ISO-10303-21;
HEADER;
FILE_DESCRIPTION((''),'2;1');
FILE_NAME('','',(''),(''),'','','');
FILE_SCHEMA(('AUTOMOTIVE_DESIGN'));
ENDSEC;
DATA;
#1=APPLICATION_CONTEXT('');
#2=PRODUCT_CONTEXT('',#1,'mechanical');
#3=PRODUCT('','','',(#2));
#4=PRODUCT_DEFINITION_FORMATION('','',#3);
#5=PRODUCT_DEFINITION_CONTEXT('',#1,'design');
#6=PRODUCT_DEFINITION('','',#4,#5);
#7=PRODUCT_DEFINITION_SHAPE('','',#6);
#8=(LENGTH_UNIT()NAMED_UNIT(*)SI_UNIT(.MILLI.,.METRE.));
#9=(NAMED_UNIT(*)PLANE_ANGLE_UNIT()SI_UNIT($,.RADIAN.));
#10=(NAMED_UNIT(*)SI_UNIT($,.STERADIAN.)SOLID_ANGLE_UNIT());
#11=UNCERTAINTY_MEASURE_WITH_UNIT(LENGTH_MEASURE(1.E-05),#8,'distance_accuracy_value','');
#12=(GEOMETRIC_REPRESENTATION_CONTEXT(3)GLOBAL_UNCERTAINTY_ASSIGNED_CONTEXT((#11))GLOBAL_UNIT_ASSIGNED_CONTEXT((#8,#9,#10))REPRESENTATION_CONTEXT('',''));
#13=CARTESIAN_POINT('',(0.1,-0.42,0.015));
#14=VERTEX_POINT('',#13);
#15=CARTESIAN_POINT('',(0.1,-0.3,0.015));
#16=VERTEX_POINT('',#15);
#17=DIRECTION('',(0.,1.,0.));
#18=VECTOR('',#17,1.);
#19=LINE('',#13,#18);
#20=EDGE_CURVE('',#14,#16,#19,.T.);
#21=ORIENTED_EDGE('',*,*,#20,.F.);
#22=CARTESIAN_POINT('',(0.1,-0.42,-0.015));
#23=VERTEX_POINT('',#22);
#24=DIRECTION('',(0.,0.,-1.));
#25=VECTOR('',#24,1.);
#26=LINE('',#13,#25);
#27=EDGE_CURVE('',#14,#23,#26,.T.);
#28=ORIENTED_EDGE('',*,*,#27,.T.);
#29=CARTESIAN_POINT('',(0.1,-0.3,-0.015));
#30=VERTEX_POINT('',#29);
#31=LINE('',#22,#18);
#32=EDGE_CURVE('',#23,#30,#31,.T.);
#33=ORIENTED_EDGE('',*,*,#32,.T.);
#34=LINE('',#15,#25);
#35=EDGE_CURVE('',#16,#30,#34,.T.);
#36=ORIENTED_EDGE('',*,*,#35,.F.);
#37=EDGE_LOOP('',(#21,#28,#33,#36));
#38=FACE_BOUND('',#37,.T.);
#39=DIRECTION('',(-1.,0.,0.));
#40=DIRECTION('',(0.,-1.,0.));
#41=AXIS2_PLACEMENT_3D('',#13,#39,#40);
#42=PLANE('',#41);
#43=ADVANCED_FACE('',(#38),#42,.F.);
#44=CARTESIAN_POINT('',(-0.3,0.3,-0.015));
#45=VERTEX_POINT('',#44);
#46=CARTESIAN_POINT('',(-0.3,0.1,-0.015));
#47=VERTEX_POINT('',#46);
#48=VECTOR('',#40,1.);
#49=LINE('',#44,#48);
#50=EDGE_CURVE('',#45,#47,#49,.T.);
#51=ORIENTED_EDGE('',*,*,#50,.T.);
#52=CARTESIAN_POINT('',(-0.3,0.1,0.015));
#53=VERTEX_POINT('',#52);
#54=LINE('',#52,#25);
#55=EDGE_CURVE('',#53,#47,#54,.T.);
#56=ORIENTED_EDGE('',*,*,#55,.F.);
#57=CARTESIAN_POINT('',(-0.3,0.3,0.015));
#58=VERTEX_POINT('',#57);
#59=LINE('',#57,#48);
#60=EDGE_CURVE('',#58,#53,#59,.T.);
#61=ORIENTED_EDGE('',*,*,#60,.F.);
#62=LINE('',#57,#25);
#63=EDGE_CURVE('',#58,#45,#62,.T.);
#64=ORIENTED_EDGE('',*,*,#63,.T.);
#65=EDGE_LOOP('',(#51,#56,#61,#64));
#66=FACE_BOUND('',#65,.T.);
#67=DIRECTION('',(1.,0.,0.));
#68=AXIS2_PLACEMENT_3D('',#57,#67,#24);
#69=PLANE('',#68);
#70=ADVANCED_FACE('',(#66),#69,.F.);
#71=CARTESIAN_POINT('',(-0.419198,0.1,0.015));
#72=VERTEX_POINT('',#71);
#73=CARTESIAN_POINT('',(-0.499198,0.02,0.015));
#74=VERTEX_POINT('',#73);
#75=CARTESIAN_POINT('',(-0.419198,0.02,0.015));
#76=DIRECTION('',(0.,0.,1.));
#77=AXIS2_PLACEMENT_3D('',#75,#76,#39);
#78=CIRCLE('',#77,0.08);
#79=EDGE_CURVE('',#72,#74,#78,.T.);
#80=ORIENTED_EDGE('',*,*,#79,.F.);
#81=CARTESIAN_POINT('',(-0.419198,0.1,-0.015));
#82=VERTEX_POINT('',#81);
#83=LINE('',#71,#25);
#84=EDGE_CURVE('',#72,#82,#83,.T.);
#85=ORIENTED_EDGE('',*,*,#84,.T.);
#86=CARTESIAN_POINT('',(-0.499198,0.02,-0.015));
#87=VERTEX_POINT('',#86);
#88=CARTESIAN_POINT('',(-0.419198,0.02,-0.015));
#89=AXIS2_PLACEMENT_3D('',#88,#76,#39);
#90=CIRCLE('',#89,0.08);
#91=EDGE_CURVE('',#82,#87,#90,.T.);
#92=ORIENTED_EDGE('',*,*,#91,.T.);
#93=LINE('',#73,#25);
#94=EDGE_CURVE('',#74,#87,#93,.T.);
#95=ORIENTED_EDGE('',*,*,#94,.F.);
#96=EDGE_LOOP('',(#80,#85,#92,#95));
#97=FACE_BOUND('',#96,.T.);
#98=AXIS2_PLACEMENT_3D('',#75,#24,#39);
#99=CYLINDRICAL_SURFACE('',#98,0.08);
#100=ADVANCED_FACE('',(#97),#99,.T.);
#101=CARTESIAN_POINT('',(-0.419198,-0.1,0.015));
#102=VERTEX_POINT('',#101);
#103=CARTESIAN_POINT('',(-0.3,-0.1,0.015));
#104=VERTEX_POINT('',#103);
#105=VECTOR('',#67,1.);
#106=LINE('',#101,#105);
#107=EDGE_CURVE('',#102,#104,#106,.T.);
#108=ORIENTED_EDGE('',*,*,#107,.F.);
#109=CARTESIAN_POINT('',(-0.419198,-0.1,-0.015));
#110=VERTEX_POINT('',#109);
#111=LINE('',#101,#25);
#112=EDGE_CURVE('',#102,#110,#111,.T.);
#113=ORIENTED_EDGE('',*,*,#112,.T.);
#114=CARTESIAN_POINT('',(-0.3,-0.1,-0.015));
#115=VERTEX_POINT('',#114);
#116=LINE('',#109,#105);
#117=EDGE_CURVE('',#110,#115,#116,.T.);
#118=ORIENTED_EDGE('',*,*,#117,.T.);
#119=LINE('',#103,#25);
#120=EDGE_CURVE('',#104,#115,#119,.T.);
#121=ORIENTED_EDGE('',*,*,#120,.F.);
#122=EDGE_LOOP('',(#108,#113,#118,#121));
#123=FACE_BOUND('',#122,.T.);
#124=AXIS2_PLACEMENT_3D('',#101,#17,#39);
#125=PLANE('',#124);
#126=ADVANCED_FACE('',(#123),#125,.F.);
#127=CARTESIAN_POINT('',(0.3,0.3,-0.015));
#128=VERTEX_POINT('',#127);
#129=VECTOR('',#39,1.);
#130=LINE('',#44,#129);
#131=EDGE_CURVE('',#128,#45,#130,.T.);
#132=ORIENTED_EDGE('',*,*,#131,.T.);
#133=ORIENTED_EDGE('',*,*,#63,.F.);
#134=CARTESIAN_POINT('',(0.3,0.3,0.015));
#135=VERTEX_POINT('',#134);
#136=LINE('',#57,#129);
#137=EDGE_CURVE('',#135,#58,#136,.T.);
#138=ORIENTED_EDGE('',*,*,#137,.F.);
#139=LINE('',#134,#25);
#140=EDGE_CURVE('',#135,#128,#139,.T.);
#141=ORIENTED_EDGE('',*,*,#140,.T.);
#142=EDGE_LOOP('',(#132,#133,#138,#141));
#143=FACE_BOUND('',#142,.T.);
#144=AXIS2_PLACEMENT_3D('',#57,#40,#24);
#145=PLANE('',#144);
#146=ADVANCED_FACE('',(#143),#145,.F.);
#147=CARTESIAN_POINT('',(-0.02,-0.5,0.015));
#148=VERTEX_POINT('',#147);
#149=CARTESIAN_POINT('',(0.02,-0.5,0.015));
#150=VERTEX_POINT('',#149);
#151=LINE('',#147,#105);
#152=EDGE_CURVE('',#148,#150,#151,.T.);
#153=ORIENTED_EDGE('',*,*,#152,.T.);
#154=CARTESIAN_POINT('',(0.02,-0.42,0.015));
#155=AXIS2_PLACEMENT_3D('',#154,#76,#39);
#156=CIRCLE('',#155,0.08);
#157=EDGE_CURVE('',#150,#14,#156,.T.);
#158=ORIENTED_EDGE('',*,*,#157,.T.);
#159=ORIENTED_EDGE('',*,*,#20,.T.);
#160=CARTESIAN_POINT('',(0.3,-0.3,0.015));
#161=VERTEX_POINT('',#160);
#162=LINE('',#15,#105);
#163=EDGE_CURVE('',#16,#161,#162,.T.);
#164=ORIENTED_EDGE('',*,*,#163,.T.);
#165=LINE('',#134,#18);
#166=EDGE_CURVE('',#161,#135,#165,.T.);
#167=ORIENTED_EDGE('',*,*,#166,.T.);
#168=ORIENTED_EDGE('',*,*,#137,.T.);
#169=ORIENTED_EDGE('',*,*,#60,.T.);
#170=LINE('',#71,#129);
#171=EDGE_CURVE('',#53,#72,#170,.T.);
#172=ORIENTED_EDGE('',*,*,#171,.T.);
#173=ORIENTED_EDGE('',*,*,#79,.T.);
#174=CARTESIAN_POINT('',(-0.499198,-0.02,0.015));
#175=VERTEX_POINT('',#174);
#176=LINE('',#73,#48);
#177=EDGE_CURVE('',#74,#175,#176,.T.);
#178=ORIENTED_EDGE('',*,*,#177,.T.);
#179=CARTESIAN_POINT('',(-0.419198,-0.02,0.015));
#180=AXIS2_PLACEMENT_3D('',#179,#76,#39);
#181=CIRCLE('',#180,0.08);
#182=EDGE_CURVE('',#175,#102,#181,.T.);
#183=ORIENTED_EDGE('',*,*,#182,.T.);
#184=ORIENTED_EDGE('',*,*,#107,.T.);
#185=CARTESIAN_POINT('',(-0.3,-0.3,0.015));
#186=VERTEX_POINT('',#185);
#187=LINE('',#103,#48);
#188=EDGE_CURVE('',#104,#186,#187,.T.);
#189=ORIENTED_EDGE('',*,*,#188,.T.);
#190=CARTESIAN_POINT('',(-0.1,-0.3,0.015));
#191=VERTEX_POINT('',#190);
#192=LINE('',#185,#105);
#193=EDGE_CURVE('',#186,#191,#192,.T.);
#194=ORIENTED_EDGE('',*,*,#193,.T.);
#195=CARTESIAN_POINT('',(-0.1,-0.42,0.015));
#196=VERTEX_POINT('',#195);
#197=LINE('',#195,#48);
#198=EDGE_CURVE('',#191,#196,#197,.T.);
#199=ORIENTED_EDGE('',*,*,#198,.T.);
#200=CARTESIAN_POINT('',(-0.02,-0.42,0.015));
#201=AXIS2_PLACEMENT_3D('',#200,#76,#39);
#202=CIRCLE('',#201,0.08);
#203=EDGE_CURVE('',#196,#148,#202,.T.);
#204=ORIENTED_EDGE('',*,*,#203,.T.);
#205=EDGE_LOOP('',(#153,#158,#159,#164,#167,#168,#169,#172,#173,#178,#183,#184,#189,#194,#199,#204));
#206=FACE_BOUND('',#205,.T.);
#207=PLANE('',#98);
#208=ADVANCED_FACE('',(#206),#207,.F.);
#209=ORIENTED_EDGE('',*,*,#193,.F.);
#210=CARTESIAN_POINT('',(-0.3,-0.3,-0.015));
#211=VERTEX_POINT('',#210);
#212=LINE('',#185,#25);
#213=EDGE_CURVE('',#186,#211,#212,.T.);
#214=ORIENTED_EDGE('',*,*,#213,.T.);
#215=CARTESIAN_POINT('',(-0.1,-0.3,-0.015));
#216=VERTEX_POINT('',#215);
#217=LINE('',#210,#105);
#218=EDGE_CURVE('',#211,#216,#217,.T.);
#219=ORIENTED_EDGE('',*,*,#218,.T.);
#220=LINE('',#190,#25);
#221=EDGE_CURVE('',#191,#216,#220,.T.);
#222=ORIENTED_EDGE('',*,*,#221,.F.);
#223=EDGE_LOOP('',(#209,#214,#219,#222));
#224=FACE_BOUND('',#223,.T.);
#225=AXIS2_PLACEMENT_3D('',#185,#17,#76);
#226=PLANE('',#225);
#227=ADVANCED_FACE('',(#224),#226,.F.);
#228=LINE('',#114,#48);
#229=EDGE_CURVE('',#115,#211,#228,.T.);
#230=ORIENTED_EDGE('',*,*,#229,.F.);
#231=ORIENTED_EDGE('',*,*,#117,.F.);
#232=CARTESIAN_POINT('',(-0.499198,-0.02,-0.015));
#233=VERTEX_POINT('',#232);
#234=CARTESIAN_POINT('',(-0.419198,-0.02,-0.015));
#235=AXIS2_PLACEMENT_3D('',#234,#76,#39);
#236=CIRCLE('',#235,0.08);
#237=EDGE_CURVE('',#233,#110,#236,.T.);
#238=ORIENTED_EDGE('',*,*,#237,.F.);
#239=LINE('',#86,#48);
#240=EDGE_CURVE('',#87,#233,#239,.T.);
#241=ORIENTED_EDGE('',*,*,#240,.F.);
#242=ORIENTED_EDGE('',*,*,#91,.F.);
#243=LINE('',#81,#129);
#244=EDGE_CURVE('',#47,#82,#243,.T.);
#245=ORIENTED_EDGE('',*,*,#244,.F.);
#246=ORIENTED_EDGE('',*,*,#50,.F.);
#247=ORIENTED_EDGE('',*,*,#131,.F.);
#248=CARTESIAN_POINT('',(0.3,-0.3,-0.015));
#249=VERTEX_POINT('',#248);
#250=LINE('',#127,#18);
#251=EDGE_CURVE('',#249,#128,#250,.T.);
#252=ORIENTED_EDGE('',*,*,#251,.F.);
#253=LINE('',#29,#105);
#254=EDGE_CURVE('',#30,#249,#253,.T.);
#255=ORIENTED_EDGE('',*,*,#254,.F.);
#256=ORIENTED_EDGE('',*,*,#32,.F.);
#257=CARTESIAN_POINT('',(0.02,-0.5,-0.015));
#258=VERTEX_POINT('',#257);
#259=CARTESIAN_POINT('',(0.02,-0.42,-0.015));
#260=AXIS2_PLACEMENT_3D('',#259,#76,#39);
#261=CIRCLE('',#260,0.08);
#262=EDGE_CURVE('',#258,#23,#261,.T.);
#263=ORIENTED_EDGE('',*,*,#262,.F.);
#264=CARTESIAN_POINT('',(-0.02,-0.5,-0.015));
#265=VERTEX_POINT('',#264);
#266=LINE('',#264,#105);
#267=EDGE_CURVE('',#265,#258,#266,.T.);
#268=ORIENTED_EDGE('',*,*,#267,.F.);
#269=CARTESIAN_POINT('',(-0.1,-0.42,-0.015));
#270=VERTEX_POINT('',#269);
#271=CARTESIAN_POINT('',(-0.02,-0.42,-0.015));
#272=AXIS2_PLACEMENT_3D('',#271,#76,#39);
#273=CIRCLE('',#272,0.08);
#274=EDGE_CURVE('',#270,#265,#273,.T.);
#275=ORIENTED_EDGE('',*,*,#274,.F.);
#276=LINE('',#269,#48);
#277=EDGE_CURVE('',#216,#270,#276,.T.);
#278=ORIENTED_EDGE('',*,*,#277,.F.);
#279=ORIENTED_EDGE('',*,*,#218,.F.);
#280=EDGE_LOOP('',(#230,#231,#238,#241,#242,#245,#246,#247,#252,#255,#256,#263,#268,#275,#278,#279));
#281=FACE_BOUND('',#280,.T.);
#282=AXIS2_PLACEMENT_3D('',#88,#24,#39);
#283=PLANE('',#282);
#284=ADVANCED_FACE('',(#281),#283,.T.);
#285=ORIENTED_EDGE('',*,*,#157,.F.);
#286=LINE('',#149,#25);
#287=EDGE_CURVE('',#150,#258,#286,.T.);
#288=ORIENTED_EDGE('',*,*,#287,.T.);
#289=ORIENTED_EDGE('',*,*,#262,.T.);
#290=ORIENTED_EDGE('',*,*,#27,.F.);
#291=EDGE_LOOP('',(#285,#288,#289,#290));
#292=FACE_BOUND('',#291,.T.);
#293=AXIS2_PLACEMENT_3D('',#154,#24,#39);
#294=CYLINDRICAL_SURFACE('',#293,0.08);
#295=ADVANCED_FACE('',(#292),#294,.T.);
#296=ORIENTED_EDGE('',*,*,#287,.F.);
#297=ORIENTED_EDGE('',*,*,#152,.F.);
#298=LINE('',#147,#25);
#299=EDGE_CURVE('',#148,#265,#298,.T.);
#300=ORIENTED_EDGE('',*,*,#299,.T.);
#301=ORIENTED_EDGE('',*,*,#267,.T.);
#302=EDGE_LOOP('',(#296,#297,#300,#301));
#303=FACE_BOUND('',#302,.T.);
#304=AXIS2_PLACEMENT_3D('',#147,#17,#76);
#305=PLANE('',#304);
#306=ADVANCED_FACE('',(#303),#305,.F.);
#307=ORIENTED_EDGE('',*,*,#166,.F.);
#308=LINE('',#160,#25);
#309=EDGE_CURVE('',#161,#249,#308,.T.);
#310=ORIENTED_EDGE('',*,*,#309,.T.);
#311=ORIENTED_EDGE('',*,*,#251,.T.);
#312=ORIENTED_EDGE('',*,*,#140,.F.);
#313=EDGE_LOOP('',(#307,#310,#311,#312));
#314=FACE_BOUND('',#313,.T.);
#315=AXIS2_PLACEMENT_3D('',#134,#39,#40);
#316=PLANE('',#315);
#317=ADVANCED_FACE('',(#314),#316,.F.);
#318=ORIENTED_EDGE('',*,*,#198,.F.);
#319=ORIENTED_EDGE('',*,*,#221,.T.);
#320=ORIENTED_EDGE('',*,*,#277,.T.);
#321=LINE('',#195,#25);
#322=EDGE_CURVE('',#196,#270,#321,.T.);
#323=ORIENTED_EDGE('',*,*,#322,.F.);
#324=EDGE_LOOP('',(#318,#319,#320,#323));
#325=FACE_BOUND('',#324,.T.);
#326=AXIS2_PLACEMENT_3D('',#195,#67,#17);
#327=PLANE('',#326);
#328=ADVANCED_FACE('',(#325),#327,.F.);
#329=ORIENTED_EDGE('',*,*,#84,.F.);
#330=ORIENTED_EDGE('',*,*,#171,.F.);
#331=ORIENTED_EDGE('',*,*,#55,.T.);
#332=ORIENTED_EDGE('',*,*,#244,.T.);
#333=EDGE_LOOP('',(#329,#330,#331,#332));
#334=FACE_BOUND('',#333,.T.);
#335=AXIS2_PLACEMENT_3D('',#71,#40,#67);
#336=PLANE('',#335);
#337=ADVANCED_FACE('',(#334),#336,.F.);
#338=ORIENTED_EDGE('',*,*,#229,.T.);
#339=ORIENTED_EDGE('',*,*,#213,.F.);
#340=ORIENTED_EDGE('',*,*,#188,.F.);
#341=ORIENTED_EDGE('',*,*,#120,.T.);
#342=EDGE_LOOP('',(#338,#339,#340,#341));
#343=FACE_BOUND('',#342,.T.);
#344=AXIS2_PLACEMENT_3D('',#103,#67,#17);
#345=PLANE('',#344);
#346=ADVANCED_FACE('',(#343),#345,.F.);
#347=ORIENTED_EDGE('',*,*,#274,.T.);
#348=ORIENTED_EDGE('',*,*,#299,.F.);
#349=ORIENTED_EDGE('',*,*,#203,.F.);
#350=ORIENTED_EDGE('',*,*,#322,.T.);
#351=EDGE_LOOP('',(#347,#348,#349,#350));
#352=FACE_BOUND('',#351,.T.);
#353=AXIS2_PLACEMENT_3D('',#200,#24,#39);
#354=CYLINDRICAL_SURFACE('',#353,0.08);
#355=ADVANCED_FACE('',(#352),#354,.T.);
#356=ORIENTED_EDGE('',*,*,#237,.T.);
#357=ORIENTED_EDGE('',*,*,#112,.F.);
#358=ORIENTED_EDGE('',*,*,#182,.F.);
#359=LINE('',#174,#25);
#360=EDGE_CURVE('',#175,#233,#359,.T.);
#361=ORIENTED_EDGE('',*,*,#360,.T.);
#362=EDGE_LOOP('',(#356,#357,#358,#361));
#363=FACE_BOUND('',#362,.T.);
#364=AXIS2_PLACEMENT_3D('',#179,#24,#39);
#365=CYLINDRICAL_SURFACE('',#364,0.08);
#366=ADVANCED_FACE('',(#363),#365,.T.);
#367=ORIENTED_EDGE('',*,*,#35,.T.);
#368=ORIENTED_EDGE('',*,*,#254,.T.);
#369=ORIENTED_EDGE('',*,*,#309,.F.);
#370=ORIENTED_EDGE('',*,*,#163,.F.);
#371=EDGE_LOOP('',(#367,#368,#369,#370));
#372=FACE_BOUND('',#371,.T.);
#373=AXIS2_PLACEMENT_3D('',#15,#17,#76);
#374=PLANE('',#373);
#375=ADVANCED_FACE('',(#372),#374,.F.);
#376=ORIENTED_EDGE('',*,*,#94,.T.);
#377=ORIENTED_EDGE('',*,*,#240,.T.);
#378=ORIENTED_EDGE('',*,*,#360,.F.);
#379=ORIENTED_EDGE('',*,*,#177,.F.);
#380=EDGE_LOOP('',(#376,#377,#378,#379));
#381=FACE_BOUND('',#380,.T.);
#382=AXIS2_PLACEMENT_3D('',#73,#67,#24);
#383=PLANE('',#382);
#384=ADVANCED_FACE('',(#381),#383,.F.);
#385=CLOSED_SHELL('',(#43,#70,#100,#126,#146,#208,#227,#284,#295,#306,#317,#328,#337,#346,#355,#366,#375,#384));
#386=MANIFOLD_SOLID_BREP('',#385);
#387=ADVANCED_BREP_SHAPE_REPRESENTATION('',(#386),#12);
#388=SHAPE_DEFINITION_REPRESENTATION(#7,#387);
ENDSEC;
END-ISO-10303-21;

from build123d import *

# Parameters (mm, degrees)
BOSS_EXTRUDE2_DEPTH = 0.015


with BuildPart() as part:
    # Sketch1 → Boss-Extrude2 (new, symmetric)
    with BuildSketch(Plane.XY):
        with BuildLine():
            Line((-0.419197649, 0.1), (-0.3, 0.1))
            Line((-0.3, 0.1), (-0.3, 0.3))
            Line((-0.3, 0.3), (0.3, 0.3))
            Line((0.3, 0.3), (0.3, -0.3))
            Line((0.3, -0.3), (0.1, -0.3))
            Line((0.1, -0.3), (0.1, -0.42))
            ThreePointArc((0.1, -0.42), (0.076568542, -0.476568542), (0.02, -0.5))
            Line((0.02, -0.5), (-0.02, -0.5))
            ThreePointArc((-0.02, -0.5), (-0.076568542, -0.476568542), (-0.1, -0.42))
            Line((-0.1, -0.42), (-0.1, -0.3))
            Line((-0.1, -0.3), (-0.3, -0.3))
            Line((-0.3, -0.3), (-0.3, -0.1))
            Line((-0.3, -0.1), (-0.419197649, -0.1))
            ThreePointArc((-0.419197649, -0.1), (-0.475766192, -0.076568542), (-0.499197649, -0.02))
            Line((-0.499197649, -0.02), (-0.499197649, 0.02))
            ThreePointArc((-0.499197649, 0.02), (-0.475766192, 0.076568542), (-0.419197649, 0.1))
        make_face()
    extrude(amount=BOSS_EXTRUDE2_DEPTH, both=True)


solid = part.part
